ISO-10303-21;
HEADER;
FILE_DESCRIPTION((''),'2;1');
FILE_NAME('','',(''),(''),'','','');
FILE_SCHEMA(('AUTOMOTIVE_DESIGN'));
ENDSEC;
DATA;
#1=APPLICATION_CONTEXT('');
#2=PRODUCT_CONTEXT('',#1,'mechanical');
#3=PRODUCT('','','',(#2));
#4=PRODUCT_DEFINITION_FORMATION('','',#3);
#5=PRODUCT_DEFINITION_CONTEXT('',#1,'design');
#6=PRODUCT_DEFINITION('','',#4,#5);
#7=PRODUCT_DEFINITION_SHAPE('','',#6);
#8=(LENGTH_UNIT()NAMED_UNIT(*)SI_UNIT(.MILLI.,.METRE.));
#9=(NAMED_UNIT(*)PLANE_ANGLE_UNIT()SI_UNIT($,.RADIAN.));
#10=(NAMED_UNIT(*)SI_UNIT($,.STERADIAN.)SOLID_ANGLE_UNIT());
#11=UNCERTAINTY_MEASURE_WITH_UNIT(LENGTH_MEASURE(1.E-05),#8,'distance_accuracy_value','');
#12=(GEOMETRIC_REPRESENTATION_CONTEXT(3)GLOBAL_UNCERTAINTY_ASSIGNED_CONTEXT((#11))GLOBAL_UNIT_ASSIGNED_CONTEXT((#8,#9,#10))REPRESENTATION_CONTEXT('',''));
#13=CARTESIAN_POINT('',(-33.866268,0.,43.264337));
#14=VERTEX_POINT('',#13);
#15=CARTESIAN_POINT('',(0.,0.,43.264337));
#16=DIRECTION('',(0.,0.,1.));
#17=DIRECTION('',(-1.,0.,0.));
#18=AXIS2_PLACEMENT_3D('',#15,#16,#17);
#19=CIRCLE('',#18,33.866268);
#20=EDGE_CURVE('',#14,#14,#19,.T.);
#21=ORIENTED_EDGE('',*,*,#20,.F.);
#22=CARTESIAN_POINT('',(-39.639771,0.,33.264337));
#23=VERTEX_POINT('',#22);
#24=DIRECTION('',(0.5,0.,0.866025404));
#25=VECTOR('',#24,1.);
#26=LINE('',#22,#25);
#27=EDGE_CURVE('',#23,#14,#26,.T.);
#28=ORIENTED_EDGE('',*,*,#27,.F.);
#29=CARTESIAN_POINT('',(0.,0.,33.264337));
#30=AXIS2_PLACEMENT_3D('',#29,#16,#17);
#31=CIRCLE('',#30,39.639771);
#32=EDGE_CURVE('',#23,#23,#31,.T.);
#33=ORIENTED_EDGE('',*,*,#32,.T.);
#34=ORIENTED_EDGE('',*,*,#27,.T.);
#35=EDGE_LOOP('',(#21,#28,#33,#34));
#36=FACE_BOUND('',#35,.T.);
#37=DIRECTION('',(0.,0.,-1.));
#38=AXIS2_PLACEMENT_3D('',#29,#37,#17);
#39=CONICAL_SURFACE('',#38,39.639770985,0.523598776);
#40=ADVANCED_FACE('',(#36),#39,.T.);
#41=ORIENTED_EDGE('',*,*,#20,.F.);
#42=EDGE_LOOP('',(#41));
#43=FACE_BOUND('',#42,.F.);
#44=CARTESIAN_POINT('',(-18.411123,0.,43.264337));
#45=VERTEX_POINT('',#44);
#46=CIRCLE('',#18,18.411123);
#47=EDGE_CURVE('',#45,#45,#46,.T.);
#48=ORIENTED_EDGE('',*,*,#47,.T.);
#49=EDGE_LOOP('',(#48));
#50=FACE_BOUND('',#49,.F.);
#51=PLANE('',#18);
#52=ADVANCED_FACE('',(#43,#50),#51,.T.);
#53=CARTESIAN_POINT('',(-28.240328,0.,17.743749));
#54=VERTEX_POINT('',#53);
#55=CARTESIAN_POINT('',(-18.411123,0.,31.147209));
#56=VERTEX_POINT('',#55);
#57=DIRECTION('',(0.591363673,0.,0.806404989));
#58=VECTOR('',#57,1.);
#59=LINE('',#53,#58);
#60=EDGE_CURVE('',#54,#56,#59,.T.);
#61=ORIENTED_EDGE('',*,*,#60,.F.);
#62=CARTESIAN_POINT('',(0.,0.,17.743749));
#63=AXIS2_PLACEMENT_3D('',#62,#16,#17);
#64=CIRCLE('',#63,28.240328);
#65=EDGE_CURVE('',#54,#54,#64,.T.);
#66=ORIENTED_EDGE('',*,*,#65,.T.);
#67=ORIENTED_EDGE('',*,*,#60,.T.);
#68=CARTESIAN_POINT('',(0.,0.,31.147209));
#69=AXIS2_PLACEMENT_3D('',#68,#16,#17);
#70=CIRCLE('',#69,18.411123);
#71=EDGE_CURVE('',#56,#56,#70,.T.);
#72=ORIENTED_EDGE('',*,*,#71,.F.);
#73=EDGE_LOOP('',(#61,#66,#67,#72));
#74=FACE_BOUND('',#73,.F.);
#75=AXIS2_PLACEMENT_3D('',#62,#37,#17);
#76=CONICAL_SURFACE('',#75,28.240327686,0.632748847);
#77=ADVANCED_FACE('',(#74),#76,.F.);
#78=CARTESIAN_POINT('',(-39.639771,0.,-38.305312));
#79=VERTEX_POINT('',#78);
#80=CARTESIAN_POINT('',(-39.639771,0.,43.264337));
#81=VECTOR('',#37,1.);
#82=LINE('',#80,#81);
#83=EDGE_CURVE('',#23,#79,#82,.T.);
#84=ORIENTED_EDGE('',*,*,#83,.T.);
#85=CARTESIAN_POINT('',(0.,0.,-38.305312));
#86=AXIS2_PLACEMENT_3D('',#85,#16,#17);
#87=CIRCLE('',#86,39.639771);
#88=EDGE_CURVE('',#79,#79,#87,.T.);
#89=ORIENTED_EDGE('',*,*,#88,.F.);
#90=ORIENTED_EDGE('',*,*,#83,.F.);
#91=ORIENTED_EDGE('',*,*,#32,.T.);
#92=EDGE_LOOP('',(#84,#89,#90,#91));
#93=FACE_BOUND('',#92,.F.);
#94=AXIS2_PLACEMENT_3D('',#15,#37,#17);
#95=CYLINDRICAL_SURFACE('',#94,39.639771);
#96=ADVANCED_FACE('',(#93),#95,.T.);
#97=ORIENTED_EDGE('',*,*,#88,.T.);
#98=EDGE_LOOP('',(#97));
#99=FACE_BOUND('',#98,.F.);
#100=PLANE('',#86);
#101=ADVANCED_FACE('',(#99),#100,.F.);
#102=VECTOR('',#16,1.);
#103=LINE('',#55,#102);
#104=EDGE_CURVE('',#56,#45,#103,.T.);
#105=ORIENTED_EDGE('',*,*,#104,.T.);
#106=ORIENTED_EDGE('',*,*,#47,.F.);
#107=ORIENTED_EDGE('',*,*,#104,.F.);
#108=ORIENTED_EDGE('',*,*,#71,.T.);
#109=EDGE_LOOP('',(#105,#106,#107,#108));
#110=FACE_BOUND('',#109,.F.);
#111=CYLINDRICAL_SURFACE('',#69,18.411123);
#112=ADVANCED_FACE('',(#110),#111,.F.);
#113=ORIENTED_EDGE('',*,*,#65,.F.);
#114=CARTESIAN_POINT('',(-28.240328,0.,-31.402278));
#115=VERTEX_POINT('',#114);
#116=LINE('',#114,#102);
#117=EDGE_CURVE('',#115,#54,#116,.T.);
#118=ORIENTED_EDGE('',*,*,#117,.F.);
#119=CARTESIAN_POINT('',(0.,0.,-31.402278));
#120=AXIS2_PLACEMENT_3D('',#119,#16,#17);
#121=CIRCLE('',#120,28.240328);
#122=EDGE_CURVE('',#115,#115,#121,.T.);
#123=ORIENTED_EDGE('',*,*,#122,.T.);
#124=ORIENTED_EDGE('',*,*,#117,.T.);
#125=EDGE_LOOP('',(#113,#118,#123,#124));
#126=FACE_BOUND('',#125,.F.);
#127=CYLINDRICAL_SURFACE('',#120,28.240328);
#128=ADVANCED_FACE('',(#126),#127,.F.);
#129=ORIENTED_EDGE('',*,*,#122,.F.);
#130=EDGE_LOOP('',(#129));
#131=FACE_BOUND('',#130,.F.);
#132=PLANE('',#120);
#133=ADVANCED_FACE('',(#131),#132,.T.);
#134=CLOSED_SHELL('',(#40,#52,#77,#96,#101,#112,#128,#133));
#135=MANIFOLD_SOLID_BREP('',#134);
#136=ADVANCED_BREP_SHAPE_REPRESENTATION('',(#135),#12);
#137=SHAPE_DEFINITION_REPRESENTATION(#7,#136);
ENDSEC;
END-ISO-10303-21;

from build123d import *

# Parameters (mm, degrees)
F2_SIZE2 = 5.7735026919
F2_SIZE  = 10


with BuildPart() as f1:
    # F0 (on Front) → F1 (revolve)
    with BuildSketch(Plane.XZ):
        Polygon((-18.4111231562, 43.264336884), (-39.6397709846, 43.264336884), (-39.6397709846, -38.3053123951), (0, -38.3053123951), (0, -31.402277634), (-28.2403276857, -31.402277634), (-28.2403276857, 17.7437487389), (-18.4111231562, 31.1472091223), align=None)
    revolve(axis=Axis((0, 0, -34.8537950146), (0, 0, 1)))

    # F2
    f2_edges = [f1.edges().sort_by_distance(p)[0] for p in [
        (39.639771, 0, 43.264337),
    ]]
    f2_side = f1.faces().sort_by_distance((39.639771, 0, 2.479512))[0]
    chamfer(f2_edges, length=F2_SIZE, length2=F2_SIZE2, reference=f2_side)


solid = f1.part
